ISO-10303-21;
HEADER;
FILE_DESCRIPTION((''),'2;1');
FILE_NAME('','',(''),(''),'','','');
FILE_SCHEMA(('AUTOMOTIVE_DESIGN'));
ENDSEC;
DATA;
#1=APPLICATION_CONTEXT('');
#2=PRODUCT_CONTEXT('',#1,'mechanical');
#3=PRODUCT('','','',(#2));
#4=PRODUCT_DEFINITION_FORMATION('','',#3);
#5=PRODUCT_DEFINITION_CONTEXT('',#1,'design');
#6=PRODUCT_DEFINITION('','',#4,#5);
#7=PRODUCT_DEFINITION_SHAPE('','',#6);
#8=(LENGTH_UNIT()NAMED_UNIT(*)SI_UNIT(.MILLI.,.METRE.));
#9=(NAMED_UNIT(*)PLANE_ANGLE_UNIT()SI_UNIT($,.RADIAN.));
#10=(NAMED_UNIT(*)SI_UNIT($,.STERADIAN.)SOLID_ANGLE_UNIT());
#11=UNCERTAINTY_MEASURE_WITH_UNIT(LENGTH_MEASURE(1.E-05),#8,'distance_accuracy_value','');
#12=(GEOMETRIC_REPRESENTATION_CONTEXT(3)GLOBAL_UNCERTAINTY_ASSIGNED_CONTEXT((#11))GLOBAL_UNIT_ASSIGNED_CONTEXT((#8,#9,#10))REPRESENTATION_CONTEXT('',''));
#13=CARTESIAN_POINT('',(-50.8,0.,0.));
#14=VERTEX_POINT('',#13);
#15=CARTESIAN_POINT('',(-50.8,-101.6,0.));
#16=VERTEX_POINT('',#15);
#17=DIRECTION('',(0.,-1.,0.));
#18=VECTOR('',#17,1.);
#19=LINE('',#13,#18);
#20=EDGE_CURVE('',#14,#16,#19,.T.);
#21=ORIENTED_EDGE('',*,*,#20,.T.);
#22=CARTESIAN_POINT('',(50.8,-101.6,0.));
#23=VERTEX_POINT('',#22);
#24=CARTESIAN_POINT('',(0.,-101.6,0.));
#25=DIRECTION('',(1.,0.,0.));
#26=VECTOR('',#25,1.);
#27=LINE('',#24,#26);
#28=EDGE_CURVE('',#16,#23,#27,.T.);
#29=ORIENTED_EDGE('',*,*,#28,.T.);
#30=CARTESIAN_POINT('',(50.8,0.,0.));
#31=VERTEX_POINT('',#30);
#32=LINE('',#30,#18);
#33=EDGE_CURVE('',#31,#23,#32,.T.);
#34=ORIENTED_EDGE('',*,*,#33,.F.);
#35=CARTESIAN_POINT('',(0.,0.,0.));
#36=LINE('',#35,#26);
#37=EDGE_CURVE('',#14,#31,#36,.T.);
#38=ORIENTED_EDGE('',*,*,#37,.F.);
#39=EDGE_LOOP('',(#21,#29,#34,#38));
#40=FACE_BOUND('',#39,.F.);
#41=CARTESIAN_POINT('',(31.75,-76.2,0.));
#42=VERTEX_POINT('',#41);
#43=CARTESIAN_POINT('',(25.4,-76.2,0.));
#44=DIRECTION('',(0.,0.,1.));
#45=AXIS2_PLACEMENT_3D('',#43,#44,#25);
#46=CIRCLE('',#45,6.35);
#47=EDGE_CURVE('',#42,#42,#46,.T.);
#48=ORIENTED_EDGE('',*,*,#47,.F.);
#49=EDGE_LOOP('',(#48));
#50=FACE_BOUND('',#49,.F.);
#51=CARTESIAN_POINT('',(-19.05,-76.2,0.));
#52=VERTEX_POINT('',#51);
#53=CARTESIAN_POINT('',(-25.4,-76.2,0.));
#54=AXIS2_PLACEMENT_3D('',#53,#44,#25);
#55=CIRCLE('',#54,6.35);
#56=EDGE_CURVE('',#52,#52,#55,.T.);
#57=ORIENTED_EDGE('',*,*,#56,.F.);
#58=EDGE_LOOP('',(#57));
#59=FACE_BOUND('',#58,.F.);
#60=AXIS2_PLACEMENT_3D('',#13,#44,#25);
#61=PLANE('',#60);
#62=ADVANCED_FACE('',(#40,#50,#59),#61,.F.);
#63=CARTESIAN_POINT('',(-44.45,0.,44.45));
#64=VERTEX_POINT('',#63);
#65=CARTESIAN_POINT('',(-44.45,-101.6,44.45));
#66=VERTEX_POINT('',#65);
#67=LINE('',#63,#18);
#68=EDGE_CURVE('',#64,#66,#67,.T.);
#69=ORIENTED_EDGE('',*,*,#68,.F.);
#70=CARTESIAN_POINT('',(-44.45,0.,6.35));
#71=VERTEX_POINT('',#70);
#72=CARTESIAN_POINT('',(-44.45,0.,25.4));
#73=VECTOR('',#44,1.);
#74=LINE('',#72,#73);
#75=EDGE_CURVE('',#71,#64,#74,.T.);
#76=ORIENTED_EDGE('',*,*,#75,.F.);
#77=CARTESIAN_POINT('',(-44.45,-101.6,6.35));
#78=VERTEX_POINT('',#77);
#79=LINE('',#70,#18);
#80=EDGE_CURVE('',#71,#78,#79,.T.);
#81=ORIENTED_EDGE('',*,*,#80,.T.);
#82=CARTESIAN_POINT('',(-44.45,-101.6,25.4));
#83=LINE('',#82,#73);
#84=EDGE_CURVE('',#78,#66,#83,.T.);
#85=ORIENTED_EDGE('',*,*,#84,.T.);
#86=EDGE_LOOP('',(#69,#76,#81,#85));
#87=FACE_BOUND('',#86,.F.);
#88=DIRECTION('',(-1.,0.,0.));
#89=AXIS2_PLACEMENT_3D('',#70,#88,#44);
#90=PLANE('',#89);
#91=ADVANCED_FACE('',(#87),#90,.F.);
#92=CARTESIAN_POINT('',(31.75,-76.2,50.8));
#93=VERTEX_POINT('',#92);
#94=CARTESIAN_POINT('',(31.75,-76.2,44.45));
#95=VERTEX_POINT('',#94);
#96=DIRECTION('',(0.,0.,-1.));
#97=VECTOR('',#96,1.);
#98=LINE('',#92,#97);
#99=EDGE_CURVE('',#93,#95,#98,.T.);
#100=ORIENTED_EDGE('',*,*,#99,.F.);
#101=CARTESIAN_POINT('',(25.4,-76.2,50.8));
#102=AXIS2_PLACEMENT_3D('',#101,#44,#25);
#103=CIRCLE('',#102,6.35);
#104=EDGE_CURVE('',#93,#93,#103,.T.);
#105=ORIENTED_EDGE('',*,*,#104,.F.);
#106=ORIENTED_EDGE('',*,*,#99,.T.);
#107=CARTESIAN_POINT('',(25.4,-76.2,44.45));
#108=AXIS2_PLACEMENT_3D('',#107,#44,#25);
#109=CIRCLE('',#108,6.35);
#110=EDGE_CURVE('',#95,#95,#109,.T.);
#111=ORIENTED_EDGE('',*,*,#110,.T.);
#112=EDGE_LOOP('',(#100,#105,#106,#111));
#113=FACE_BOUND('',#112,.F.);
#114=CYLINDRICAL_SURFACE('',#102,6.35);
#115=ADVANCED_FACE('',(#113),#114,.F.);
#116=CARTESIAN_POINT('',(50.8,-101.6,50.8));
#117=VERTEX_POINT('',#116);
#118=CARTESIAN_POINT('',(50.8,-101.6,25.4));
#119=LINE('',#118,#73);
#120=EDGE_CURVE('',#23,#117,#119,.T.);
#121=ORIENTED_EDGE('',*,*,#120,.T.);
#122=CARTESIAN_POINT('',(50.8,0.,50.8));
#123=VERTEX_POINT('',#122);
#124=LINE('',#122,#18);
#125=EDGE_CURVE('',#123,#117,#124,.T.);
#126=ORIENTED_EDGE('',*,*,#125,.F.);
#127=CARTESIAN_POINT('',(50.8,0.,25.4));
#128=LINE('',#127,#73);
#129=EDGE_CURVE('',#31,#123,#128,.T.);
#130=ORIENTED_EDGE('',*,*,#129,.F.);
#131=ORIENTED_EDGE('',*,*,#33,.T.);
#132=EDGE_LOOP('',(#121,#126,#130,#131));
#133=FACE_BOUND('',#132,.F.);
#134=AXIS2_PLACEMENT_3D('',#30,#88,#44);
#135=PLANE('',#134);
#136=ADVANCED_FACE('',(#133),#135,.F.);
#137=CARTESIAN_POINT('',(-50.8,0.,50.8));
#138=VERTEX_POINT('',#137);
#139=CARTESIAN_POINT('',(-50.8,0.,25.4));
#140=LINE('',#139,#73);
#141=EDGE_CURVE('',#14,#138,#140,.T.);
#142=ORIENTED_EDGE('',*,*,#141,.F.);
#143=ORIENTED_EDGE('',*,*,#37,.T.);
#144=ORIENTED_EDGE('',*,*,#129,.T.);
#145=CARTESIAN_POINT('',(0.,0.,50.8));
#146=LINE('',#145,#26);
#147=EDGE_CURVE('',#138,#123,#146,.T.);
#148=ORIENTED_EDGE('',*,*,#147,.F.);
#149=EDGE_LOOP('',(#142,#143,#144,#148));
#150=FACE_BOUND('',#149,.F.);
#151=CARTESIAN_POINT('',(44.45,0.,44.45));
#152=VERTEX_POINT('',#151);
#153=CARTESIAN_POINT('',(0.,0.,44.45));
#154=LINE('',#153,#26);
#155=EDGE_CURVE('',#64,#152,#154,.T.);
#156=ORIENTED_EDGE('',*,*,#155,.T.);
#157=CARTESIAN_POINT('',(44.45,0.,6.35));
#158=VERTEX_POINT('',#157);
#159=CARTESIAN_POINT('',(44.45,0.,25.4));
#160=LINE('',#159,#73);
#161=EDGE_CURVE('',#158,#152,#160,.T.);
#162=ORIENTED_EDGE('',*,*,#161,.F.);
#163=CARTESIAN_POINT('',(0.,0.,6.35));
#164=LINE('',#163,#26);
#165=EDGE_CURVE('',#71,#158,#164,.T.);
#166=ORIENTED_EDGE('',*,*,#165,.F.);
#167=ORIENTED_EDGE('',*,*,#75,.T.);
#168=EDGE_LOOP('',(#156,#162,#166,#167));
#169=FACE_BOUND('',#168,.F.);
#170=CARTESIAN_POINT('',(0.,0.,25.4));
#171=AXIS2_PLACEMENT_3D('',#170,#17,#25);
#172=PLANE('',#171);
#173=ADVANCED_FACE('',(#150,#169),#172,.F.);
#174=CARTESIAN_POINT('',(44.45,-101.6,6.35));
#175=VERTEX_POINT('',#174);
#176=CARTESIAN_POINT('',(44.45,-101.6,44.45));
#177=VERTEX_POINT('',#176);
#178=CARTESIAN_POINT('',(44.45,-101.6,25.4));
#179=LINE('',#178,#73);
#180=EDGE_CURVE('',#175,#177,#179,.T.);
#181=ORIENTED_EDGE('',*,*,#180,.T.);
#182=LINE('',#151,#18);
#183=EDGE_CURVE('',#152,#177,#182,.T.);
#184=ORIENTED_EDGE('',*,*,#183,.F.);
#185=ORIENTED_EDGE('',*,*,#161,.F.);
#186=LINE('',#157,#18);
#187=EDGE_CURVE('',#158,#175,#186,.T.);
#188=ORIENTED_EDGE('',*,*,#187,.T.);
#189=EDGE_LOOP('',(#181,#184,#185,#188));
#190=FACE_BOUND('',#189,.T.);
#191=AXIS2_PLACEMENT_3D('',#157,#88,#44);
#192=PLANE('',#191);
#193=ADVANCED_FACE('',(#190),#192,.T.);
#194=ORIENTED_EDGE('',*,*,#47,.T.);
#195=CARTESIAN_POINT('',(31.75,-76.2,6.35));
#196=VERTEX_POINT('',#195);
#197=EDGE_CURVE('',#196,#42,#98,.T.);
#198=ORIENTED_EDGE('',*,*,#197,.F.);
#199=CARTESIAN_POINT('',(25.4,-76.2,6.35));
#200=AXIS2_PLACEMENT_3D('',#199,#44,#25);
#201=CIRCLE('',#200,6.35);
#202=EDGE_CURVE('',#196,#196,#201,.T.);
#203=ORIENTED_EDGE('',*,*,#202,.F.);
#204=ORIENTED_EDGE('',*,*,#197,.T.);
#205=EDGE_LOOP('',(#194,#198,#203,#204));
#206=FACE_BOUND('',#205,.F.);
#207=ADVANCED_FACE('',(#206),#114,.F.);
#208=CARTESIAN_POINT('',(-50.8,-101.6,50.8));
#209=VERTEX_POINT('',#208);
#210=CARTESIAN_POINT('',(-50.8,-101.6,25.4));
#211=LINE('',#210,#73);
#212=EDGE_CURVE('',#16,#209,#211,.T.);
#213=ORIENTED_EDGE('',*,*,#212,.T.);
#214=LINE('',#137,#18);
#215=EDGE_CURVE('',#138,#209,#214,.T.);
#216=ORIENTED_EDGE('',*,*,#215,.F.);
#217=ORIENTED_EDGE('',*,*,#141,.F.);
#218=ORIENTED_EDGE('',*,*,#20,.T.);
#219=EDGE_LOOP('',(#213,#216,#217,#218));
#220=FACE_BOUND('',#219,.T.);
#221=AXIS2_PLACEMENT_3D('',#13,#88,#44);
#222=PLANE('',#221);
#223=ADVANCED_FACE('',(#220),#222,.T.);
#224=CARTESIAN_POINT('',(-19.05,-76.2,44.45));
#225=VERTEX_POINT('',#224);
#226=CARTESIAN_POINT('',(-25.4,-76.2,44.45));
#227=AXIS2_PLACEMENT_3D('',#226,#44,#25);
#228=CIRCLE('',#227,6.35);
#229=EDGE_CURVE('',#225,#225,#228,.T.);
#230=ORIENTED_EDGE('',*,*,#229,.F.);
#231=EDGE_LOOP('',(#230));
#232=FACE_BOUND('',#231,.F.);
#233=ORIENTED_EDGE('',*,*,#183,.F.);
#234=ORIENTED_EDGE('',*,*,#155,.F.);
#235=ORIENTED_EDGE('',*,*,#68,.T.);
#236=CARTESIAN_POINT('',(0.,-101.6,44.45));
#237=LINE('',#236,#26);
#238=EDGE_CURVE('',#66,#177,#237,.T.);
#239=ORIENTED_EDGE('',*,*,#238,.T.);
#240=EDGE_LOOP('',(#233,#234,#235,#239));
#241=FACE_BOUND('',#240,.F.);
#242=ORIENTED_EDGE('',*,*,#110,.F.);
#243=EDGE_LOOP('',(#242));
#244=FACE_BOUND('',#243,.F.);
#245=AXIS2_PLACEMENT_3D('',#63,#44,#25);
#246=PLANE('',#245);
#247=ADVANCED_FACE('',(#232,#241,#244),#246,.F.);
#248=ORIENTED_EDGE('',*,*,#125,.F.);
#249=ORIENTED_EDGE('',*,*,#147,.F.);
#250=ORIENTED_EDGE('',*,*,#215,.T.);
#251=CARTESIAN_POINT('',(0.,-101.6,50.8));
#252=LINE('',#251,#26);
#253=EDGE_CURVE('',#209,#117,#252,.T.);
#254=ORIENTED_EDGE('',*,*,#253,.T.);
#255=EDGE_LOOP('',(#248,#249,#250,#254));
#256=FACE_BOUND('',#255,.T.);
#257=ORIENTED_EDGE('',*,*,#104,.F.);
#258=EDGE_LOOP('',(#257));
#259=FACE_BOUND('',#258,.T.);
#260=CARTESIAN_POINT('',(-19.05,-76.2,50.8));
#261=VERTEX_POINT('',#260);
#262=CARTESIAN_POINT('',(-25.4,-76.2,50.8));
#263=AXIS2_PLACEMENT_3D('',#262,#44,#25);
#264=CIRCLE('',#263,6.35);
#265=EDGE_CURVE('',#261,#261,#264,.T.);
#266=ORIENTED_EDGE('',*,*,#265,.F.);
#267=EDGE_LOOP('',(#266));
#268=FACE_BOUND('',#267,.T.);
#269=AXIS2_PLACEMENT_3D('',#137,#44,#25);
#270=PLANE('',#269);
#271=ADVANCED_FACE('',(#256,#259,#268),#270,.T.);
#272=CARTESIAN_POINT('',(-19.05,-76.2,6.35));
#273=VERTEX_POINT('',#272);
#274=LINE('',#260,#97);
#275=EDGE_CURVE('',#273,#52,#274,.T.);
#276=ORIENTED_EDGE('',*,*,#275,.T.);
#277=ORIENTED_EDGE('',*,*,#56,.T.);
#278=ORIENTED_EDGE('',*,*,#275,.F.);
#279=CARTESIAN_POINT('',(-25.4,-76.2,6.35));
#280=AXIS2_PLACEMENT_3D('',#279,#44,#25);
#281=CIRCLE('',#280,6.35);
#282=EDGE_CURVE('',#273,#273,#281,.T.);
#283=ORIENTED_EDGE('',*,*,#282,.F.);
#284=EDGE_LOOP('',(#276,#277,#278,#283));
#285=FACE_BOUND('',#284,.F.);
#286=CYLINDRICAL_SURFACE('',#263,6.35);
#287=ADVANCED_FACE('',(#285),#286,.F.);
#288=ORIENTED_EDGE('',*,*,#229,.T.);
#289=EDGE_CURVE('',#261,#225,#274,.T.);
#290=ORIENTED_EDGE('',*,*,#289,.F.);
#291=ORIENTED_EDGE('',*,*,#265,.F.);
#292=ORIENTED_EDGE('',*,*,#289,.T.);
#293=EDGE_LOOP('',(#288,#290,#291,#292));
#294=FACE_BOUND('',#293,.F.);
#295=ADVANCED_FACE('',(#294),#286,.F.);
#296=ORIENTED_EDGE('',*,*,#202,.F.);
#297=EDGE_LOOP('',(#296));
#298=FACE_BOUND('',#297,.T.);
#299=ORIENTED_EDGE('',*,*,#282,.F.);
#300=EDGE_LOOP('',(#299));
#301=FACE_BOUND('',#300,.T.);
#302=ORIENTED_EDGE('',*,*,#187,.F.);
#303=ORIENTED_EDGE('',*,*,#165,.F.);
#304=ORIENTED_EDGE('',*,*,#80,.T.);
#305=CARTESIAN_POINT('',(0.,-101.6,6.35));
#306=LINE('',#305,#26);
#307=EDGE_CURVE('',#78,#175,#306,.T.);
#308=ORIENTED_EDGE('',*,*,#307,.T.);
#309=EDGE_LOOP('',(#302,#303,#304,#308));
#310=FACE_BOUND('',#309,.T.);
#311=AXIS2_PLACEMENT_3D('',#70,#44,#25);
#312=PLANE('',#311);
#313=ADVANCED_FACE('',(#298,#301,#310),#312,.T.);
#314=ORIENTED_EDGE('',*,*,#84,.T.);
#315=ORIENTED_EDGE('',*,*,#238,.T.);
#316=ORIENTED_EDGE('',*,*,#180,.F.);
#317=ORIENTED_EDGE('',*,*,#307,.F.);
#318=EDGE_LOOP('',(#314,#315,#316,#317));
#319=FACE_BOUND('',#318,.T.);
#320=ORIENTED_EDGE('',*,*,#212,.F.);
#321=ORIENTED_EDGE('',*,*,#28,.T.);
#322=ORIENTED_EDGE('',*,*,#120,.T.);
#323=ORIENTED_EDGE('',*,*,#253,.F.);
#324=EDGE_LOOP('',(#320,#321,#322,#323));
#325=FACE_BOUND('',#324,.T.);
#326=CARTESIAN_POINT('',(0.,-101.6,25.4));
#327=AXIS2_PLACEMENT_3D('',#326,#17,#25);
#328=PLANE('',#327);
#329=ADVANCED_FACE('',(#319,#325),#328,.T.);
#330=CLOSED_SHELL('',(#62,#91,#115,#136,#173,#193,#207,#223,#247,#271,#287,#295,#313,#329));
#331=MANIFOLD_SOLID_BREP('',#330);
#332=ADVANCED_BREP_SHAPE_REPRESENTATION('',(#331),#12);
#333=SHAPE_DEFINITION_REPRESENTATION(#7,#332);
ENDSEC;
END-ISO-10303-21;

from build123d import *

# Parameters (mm, degrees)
F0_W     = 101.6
F0_H     = 50.8
F0_W_2   = 88.9
F0_H_2   = 38.1
F1_DEPTH = 101.6
F2_R     = 6.35
F3_DEPTH = 50.801


with BuildPart() as f1:
    # F0 (on Front) → F1 (new body)
    with BuildSketch(Plane.XZ):
        with Locations((0, 25.4)):
            Rectangle(F0_W, F0_H)
        with Locations((0, 25.4)):
            Rectangle(F0_W_2, F0_H_2, mode=Mode.SUBTRACT)
    extrude(amount=F1_DEPTH)

    # F2 (on face) → F3 (cut, through all)
    with BuildSketch(Plane.XY.offset(50.8)):
        with Locations((25.4, -76.2)):
            Circle(F2_R)
        with Locations((-25.4, -76.2)):
            Circle(F2_R)
    extrude(amount=-F3_DEPTH, mode=Mode.SUBTRACT)


solid = f1.part
